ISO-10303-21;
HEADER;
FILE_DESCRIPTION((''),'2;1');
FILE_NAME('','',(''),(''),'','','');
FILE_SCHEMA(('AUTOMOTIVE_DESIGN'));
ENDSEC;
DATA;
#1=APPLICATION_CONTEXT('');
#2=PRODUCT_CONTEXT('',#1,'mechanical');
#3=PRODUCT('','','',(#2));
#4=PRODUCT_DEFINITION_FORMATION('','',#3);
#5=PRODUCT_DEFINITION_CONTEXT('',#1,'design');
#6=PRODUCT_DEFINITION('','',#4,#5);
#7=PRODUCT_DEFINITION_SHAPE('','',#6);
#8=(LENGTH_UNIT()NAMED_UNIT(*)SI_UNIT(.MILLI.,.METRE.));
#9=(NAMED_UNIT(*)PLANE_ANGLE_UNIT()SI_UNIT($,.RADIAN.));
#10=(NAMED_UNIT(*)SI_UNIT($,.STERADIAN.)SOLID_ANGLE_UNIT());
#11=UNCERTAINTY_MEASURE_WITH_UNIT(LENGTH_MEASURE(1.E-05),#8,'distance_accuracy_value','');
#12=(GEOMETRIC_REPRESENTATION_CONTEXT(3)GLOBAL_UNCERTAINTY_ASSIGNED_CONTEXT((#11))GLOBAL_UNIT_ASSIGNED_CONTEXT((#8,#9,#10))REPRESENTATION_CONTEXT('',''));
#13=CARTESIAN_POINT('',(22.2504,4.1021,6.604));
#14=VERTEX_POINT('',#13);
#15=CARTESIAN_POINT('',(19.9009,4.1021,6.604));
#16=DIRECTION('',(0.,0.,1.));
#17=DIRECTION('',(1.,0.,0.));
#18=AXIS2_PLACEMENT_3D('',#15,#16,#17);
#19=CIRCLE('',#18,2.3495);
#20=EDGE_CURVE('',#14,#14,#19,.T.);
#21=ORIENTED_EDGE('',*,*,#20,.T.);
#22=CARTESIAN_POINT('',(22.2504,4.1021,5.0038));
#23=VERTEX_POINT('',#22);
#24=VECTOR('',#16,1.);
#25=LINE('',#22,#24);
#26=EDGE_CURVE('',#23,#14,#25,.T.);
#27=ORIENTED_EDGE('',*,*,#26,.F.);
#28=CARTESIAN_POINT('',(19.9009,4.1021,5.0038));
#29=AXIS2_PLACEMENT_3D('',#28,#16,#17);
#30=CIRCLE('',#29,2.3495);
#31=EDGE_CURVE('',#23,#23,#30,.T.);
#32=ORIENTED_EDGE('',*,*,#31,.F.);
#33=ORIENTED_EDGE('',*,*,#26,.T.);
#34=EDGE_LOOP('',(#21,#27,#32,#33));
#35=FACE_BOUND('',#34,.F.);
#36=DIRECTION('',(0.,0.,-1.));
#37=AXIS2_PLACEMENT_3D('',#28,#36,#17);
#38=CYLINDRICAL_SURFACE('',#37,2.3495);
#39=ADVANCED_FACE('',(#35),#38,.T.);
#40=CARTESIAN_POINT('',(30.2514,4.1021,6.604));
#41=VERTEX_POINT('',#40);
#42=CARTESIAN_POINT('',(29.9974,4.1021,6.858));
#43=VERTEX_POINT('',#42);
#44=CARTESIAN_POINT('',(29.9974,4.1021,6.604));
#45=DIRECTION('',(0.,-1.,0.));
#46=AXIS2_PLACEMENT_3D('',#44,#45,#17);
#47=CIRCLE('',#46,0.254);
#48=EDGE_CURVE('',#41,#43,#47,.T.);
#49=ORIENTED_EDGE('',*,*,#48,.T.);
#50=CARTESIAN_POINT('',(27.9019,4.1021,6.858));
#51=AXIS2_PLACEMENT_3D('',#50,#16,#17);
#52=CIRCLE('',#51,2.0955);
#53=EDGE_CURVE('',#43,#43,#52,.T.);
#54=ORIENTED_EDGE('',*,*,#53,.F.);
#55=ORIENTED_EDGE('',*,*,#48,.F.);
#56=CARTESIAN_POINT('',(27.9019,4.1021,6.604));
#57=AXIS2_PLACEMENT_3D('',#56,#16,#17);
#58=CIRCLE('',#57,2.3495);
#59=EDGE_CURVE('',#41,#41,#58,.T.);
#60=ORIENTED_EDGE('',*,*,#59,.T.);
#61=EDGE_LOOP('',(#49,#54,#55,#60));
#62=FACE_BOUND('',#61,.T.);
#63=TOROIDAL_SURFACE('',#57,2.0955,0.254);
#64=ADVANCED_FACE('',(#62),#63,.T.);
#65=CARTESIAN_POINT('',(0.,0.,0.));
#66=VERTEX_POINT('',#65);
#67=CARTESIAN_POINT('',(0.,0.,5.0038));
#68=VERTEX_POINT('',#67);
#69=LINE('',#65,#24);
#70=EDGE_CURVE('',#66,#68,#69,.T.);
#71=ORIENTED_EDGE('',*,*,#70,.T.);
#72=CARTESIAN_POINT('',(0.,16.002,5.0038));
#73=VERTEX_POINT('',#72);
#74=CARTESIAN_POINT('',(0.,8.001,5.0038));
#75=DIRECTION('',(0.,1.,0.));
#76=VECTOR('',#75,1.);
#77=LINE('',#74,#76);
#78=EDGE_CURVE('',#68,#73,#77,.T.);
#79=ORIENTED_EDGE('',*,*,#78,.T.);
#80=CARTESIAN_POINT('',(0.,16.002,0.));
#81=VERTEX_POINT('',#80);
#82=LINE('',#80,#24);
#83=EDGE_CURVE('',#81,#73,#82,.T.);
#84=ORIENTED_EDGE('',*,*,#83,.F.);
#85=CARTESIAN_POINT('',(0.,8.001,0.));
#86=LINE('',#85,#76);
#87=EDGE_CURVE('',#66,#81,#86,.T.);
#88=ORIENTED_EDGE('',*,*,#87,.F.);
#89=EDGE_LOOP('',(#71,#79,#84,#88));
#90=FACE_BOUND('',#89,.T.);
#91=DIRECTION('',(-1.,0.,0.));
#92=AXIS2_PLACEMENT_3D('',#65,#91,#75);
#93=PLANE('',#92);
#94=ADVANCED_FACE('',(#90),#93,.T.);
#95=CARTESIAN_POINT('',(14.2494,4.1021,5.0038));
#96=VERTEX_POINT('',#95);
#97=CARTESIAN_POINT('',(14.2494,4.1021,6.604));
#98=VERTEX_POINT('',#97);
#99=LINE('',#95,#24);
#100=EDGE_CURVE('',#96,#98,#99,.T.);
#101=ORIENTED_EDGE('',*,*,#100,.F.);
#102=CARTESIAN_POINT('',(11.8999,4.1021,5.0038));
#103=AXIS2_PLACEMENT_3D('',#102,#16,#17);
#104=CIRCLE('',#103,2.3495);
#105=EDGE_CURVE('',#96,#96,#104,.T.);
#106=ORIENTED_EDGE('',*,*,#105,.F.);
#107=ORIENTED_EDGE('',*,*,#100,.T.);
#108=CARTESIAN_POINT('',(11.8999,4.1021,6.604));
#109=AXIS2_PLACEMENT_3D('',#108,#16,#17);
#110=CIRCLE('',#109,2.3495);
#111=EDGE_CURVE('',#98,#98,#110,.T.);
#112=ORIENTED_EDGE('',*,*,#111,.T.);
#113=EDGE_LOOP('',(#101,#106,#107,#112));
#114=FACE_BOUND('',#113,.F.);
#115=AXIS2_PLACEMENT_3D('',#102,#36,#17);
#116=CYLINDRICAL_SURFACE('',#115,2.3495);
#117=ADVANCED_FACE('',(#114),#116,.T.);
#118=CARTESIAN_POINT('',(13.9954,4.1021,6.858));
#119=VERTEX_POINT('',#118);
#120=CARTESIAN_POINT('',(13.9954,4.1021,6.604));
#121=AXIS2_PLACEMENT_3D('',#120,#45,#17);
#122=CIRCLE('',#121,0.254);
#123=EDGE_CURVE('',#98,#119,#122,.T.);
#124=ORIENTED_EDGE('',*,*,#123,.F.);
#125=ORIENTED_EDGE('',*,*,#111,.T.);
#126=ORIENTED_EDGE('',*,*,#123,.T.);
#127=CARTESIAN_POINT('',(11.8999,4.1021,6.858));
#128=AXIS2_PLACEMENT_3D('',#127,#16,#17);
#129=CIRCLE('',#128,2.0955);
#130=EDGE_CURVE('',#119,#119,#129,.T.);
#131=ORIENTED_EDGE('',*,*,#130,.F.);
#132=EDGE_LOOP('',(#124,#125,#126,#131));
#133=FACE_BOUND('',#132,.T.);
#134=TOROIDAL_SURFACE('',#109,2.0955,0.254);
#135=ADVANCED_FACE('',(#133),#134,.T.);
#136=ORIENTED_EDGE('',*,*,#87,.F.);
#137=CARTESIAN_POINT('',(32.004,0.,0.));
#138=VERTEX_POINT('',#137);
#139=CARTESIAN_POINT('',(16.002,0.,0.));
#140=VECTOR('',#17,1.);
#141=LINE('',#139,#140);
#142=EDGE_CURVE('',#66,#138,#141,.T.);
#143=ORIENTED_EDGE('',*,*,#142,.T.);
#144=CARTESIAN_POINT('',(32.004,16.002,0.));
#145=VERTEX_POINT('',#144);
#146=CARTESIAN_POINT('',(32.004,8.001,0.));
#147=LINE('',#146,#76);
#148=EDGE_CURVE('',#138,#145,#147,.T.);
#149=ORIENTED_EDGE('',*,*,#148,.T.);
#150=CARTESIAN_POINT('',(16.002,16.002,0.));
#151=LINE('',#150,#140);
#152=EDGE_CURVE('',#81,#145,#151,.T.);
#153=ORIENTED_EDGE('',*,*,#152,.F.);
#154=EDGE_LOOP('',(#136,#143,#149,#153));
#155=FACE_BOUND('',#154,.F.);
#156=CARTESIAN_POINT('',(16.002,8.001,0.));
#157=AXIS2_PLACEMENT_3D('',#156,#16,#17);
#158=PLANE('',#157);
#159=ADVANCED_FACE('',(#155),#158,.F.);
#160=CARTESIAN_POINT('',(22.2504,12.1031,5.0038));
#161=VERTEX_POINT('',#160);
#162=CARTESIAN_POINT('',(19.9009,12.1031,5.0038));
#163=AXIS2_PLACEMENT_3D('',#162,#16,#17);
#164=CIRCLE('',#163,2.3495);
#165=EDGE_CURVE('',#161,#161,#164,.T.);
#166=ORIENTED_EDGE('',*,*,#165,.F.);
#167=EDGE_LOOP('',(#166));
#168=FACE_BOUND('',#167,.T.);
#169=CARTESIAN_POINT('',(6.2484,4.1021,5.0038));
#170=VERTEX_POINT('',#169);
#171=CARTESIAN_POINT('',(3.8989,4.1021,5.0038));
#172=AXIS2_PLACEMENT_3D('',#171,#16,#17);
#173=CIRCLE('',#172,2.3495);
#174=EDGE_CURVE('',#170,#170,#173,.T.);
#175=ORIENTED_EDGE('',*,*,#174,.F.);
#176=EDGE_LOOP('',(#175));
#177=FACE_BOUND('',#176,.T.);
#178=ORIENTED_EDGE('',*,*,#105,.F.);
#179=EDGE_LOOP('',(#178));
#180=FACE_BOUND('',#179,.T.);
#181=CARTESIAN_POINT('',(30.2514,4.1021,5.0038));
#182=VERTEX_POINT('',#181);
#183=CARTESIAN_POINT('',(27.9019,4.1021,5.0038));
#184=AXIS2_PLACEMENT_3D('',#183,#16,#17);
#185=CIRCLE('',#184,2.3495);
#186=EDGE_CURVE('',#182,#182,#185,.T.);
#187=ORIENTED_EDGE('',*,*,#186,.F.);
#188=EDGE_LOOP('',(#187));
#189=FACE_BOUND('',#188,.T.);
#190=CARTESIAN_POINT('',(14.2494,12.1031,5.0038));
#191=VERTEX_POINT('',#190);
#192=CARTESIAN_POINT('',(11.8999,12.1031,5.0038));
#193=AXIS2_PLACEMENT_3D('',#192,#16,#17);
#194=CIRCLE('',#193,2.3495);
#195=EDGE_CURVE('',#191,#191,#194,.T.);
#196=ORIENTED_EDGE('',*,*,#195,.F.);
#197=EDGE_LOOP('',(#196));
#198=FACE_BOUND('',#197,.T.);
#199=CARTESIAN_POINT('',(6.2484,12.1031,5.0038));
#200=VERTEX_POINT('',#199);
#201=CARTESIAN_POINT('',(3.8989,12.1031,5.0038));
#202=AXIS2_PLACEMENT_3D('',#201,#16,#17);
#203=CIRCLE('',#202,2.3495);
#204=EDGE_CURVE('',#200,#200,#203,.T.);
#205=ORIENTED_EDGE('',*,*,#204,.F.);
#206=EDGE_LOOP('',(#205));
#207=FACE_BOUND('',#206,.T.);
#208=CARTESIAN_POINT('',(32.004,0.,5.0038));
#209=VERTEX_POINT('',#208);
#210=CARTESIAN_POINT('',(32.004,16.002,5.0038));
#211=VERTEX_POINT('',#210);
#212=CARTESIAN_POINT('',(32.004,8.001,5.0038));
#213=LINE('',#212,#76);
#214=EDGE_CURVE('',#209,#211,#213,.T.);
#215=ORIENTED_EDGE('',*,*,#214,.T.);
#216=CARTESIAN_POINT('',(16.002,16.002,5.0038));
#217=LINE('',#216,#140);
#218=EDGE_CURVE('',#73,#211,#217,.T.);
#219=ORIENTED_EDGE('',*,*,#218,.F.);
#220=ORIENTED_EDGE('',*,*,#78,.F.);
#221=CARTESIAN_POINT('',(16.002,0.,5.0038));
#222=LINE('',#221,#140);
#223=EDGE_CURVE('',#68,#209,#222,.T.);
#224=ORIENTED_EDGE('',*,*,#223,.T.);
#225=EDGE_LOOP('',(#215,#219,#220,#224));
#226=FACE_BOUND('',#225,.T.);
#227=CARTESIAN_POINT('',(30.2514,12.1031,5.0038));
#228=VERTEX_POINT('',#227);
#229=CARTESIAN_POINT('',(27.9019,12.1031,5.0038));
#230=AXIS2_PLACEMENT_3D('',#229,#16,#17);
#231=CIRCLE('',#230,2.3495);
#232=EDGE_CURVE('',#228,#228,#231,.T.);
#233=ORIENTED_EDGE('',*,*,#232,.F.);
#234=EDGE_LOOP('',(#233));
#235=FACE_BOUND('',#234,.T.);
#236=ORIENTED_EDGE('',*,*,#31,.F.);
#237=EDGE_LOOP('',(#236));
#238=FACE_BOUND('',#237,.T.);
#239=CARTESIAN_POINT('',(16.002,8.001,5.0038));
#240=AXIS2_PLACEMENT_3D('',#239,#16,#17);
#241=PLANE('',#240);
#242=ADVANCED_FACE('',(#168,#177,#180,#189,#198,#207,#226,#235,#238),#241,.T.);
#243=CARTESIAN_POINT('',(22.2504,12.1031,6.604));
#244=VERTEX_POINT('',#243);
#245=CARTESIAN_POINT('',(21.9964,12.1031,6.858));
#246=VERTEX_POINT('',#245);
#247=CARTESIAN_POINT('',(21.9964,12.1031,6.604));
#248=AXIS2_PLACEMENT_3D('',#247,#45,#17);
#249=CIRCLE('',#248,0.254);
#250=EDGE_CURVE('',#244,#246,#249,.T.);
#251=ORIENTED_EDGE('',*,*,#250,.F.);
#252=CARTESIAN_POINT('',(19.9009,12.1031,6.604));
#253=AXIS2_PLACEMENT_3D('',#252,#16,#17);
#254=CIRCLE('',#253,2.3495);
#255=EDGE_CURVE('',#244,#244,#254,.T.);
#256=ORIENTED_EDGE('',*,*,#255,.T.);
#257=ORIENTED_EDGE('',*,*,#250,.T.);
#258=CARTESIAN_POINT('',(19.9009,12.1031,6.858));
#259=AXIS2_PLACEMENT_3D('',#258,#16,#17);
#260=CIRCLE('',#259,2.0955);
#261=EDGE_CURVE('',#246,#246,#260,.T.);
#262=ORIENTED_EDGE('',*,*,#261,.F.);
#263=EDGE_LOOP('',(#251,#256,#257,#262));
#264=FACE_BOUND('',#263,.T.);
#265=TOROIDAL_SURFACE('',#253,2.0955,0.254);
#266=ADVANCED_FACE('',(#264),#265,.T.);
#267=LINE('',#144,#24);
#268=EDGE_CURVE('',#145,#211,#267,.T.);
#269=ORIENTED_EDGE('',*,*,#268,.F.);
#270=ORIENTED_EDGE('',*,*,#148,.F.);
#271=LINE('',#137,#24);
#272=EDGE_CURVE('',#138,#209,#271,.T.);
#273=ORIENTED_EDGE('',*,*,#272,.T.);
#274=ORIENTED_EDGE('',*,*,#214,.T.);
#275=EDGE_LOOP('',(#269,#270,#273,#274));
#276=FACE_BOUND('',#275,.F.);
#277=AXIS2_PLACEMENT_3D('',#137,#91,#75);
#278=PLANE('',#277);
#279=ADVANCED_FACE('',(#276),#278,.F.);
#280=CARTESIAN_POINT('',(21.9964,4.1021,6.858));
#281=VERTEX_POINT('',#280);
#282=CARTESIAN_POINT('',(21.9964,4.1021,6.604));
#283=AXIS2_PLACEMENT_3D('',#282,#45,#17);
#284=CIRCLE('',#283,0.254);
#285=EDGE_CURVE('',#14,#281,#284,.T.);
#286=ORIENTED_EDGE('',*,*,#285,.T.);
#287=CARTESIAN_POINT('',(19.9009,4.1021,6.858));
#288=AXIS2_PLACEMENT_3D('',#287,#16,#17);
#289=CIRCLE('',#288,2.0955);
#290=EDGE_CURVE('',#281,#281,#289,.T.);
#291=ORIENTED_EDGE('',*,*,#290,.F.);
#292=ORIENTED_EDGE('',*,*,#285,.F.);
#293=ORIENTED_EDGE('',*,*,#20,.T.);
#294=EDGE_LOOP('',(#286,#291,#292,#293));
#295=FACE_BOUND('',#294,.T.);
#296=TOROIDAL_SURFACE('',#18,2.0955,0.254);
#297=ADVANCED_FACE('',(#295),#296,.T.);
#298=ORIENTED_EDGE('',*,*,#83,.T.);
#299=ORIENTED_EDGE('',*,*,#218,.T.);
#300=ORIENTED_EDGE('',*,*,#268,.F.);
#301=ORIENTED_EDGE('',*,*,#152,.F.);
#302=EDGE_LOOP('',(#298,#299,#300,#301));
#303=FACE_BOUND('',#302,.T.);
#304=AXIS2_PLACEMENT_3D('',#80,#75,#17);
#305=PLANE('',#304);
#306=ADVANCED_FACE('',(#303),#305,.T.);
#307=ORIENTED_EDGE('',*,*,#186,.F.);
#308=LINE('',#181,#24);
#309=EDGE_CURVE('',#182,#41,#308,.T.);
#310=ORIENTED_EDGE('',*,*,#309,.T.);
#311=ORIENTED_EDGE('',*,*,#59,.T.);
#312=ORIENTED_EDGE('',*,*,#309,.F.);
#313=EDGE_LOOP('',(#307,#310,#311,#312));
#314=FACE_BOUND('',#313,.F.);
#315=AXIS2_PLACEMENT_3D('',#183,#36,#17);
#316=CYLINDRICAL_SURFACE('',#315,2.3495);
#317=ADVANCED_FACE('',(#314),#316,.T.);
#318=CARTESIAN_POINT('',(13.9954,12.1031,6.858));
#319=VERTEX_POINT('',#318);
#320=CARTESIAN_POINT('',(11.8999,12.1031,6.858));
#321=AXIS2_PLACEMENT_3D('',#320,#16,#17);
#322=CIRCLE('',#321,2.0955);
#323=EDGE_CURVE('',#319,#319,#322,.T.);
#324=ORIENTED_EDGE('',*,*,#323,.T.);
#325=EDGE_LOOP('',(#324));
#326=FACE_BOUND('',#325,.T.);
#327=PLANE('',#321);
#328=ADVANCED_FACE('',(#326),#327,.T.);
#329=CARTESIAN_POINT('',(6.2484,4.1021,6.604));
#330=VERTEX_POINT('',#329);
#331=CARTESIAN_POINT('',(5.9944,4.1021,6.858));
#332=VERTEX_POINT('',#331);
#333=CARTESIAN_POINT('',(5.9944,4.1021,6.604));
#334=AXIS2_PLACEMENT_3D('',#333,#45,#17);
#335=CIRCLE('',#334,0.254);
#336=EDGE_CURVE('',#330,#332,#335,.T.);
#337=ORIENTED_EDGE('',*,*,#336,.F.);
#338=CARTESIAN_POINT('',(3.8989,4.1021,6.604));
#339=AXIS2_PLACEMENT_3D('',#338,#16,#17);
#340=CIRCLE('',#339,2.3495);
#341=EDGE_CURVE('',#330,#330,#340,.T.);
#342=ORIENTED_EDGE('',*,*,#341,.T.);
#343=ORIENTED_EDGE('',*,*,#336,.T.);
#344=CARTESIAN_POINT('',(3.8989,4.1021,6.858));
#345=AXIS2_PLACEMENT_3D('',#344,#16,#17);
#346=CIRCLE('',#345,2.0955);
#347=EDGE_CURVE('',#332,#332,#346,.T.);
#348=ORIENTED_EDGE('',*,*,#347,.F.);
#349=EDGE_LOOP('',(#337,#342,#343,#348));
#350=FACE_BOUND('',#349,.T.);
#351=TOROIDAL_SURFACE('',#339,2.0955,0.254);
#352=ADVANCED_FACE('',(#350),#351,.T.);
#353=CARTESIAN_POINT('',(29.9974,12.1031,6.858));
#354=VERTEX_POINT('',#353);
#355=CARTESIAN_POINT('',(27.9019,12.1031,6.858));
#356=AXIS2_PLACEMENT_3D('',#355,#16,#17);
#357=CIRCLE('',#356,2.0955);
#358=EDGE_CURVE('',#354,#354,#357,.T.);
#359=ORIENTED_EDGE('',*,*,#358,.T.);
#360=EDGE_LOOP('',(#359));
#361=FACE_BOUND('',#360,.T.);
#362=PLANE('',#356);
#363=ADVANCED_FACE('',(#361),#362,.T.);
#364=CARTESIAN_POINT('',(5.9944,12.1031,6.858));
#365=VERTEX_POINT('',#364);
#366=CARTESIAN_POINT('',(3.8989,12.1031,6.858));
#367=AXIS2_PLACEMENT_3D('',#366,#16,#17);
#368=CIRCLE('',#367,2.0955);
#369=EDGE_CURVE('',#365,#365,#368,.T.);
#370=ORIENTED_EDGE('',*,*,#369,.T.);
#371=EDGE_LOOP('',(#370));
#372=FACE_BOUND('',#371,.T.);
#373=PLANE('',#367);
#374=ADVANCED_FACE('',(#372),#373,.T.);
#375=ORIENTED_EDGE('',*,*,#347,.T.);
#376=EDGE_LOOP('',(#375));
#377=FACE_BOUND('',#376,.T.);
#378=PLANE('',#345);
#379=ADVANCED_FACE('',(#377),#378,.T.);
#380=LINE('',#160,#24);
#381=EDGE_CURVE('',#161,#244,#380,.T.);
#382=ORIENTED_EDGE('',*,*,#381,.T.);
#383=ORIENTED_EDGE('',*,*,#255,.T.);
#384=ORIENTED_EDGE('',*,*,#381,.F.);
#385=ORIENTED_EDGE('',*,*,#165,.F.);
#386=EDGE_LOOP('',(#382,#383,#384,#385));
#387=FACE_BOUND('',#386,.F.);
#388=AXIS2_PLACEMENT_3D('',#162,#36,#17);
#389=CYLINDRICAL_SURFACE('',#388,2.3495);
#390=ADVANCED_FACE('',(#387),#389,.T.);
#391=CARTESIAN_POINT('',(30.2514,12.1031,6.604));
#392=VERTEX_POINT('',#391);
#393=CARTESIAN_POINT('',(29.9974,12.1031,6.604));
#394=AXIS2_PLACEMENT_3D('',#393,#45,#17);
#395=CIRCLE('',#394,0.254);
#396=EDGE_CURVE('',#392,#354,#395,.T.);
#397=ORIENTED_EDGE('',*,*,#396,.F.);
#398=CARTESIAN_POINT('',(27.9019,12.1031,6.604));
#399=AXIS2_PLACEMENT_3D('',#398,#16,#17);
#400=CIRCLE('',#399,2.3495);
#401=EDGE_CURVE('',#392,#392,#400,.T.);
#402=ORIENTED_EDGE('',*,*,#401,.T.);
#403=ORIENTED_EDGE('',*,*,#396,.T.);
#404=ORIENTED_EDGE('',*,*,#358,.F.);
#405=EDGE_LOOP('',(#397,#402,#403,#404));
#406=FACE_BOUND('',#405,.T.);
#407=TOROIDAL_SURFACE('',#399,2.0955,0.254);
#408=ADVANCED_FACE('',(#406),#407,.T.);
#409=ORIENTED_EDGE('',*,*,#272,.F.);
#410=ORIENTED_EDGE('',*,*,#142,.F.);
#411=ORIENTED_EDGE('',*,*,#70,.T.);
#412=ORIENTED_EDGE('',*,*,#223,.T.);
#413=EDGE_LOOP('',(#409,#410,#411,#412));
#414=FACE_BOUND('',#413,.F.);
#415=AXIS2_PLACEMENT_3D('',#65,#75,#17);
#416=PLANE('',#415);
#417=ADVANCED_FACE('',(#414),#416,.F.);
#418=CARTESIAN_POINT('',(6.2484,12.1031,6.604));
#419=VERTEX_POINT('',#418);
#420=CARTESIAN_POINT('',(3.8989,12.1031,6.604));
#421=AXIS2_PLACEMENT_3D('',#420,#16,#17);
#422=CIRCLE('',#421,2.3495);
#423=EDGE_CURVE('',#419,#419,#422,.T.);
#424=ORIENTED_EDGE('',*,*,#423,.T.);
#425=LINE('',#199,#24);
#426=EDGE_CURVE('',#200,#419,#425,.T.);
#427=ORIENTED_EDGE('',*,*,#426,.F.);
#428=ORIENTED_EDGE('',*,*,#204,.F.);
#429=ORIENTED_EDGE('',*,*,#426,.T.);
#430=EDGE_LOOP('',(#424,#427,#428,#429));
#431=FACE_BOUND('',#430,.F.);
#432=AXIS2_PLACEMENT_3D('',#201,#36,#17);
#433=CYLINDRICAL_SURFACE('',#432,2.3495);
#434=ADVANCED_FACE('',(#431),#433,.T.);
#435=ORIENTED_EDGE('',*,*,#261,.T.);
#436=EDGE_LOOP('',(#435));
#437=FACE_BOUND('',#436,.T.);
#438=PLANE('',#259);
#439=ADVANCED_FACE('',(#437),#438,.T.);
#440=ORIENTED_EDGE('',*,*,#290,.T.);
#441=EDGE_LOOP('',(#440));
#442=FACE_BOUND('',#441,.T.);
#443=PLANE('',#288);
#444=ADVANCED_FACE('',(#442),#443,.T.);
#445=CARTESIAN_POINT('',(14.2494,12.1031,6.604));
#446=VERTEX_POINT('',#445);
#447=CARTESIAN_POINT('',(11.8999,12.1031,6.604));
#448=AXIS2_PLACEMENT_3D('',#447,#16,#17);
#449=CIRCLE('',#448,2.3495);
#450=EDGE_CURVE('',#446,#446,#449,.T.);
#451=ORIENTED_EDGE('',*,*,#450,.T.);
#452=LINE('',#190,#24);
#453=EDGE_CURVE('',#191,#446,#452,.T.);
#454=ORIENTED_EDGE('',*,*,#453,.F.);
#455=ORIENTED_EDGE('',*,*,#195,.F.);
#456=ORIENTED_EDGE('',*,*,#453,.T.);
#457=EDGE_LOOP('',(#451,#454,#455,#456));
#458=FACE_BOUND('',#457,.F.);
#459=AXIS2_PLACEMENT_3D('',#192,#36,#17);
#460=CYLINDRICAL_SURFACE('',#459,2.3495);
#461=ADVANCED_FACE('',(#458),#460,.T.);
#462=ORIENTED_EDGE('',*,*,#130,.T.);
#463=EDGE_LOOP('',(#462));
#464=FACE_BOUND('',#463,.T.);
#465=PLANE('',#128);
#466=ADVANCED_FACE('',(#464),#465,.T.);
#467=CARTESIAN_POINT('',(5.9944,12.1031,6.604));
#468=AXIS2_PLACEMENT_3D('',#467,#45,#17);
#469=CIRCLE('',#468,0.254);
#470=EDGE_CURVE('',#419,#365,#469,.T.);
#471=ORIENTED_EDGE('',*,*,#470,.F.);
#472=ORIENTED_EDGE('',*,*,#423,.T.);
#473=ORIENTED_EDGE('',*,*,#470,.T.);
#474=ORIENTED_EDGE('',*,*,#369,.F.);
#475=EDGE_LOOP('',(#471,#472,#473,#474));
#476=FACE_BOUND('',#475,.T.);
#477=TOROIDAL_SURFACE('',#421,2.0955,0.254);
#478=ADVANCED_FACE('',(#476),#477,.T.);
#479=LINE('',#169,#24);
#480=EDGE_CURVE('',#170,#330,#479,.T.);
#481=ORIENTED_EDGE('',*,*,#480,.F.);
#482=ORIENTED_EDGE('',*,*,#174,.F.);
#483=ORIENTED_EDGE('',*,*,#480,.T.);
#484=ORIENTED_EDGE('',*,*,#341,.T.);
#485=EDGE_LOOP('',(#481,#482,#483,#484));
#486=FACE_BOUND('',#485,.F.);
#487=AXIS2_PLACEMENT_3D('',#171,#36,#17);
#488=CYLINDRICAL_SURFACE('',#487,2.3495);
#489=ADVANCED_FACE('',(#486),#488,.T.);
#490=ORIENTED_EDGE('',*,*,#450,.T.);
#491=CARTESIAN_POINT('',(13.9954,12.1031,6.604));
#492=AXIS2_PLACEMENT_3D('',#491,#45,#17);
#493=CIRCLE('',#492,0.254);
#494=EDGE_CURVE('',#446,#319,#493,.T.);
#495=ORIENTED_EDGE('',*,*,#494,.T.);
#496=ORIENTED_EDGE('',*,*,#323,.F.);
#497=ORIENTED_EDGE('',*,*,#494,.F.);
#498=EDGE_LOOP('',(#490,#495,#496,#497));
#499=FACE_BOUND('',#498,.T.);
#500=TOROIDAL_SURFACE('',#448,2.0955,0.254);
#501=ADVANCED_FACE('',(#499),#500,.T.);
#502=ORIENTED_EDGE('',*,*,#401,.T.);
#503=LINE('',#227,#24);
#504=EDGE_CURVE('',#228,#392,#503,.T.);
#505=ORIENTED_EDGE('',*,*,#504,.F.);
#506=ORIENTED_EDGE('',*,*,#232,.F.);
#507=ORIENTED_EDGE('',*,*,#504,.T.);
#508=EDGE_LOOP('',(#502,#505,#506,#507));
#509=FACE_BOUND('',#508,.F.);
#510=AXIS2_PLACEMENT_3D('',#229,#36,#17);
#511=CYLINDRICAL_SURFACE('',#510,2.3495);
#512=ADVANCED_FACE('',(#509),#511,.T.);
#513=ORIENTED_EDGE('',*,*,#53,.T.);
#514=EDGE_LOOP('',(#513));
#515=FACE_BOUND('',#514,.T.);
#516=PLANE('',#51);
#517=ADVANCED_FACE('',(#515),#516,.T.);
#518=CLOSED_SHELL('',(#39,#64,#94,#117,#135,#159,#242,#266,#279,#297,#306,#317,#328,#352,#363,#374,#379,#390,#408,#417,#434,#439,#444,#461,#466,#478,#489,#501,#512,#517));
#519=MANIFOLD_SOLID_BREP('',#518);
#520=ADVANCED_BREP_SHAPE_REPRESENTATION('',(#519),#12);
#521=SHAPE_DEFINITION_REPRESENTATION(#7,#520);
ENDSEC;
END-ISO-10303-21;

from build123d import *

# Parameters (mm, degrees)
F0_W     = 32.004
F0_H     = 16.002
F1_DEPTH = 5.0038
F2_R     = 2.3495
F3_DEPTH = 1.8542
F4_R     = 0.254


with BuildPart() as f1:
    # F0 (on Top) → F1 (new body)
    with BuildSketch(Plane.XY):
        with Locations((16.002, 8.001)):
            Rectangle(F0_W, F0_H)
    extrude(amount=F1_DEPTH)

    # F2 (on face) → F3 (join)
    with BuildSketch(Plane.XY.offset(5.0038)):
        with Locations((3.8989, 4.1021)):
            Circle(F2_R)
        with Locations((3.8989, 12.1031)):
            Circle(F2_R)
        with Locations((11.8999, 12.1031)):
            Circle(F2_R)
        with Locations((11.8999, 4.1021)):
            Circle(F2_R)
        with Locations((19.9009, 4.1021)):
            Circle(F2_R)
        with Locations((19.9009, 12.1031)):
            Circle(F2_R)
        with Locations((27.9019, 12.1031)):
            Circle(F2_R)
        with Locations((27.9019, 4.1021)):
            Circle(F2_R)
    extrude(amount=F3_DEPTH)

    # F4
    f4_edges = [f1.edges().sort_by_distance(p)[0] for p in [
        (1.5494, 4.1021, 6.858),
        (1.5494, 12.1031, 6.858),
        (9.5504, 4.1021, 6.858),
        (9.5504, 12.1031, 6.858),
        (17.5514, 4.1021, 6.858),
        (17.5514, 12.1031, 6.858),
        (25.5524, 12.1031, 6.858),
        (25.5524, 4.1021, 6.858),
    ]]
    fillet(f4_edges, radius=F4_R)


solid = f1.part
